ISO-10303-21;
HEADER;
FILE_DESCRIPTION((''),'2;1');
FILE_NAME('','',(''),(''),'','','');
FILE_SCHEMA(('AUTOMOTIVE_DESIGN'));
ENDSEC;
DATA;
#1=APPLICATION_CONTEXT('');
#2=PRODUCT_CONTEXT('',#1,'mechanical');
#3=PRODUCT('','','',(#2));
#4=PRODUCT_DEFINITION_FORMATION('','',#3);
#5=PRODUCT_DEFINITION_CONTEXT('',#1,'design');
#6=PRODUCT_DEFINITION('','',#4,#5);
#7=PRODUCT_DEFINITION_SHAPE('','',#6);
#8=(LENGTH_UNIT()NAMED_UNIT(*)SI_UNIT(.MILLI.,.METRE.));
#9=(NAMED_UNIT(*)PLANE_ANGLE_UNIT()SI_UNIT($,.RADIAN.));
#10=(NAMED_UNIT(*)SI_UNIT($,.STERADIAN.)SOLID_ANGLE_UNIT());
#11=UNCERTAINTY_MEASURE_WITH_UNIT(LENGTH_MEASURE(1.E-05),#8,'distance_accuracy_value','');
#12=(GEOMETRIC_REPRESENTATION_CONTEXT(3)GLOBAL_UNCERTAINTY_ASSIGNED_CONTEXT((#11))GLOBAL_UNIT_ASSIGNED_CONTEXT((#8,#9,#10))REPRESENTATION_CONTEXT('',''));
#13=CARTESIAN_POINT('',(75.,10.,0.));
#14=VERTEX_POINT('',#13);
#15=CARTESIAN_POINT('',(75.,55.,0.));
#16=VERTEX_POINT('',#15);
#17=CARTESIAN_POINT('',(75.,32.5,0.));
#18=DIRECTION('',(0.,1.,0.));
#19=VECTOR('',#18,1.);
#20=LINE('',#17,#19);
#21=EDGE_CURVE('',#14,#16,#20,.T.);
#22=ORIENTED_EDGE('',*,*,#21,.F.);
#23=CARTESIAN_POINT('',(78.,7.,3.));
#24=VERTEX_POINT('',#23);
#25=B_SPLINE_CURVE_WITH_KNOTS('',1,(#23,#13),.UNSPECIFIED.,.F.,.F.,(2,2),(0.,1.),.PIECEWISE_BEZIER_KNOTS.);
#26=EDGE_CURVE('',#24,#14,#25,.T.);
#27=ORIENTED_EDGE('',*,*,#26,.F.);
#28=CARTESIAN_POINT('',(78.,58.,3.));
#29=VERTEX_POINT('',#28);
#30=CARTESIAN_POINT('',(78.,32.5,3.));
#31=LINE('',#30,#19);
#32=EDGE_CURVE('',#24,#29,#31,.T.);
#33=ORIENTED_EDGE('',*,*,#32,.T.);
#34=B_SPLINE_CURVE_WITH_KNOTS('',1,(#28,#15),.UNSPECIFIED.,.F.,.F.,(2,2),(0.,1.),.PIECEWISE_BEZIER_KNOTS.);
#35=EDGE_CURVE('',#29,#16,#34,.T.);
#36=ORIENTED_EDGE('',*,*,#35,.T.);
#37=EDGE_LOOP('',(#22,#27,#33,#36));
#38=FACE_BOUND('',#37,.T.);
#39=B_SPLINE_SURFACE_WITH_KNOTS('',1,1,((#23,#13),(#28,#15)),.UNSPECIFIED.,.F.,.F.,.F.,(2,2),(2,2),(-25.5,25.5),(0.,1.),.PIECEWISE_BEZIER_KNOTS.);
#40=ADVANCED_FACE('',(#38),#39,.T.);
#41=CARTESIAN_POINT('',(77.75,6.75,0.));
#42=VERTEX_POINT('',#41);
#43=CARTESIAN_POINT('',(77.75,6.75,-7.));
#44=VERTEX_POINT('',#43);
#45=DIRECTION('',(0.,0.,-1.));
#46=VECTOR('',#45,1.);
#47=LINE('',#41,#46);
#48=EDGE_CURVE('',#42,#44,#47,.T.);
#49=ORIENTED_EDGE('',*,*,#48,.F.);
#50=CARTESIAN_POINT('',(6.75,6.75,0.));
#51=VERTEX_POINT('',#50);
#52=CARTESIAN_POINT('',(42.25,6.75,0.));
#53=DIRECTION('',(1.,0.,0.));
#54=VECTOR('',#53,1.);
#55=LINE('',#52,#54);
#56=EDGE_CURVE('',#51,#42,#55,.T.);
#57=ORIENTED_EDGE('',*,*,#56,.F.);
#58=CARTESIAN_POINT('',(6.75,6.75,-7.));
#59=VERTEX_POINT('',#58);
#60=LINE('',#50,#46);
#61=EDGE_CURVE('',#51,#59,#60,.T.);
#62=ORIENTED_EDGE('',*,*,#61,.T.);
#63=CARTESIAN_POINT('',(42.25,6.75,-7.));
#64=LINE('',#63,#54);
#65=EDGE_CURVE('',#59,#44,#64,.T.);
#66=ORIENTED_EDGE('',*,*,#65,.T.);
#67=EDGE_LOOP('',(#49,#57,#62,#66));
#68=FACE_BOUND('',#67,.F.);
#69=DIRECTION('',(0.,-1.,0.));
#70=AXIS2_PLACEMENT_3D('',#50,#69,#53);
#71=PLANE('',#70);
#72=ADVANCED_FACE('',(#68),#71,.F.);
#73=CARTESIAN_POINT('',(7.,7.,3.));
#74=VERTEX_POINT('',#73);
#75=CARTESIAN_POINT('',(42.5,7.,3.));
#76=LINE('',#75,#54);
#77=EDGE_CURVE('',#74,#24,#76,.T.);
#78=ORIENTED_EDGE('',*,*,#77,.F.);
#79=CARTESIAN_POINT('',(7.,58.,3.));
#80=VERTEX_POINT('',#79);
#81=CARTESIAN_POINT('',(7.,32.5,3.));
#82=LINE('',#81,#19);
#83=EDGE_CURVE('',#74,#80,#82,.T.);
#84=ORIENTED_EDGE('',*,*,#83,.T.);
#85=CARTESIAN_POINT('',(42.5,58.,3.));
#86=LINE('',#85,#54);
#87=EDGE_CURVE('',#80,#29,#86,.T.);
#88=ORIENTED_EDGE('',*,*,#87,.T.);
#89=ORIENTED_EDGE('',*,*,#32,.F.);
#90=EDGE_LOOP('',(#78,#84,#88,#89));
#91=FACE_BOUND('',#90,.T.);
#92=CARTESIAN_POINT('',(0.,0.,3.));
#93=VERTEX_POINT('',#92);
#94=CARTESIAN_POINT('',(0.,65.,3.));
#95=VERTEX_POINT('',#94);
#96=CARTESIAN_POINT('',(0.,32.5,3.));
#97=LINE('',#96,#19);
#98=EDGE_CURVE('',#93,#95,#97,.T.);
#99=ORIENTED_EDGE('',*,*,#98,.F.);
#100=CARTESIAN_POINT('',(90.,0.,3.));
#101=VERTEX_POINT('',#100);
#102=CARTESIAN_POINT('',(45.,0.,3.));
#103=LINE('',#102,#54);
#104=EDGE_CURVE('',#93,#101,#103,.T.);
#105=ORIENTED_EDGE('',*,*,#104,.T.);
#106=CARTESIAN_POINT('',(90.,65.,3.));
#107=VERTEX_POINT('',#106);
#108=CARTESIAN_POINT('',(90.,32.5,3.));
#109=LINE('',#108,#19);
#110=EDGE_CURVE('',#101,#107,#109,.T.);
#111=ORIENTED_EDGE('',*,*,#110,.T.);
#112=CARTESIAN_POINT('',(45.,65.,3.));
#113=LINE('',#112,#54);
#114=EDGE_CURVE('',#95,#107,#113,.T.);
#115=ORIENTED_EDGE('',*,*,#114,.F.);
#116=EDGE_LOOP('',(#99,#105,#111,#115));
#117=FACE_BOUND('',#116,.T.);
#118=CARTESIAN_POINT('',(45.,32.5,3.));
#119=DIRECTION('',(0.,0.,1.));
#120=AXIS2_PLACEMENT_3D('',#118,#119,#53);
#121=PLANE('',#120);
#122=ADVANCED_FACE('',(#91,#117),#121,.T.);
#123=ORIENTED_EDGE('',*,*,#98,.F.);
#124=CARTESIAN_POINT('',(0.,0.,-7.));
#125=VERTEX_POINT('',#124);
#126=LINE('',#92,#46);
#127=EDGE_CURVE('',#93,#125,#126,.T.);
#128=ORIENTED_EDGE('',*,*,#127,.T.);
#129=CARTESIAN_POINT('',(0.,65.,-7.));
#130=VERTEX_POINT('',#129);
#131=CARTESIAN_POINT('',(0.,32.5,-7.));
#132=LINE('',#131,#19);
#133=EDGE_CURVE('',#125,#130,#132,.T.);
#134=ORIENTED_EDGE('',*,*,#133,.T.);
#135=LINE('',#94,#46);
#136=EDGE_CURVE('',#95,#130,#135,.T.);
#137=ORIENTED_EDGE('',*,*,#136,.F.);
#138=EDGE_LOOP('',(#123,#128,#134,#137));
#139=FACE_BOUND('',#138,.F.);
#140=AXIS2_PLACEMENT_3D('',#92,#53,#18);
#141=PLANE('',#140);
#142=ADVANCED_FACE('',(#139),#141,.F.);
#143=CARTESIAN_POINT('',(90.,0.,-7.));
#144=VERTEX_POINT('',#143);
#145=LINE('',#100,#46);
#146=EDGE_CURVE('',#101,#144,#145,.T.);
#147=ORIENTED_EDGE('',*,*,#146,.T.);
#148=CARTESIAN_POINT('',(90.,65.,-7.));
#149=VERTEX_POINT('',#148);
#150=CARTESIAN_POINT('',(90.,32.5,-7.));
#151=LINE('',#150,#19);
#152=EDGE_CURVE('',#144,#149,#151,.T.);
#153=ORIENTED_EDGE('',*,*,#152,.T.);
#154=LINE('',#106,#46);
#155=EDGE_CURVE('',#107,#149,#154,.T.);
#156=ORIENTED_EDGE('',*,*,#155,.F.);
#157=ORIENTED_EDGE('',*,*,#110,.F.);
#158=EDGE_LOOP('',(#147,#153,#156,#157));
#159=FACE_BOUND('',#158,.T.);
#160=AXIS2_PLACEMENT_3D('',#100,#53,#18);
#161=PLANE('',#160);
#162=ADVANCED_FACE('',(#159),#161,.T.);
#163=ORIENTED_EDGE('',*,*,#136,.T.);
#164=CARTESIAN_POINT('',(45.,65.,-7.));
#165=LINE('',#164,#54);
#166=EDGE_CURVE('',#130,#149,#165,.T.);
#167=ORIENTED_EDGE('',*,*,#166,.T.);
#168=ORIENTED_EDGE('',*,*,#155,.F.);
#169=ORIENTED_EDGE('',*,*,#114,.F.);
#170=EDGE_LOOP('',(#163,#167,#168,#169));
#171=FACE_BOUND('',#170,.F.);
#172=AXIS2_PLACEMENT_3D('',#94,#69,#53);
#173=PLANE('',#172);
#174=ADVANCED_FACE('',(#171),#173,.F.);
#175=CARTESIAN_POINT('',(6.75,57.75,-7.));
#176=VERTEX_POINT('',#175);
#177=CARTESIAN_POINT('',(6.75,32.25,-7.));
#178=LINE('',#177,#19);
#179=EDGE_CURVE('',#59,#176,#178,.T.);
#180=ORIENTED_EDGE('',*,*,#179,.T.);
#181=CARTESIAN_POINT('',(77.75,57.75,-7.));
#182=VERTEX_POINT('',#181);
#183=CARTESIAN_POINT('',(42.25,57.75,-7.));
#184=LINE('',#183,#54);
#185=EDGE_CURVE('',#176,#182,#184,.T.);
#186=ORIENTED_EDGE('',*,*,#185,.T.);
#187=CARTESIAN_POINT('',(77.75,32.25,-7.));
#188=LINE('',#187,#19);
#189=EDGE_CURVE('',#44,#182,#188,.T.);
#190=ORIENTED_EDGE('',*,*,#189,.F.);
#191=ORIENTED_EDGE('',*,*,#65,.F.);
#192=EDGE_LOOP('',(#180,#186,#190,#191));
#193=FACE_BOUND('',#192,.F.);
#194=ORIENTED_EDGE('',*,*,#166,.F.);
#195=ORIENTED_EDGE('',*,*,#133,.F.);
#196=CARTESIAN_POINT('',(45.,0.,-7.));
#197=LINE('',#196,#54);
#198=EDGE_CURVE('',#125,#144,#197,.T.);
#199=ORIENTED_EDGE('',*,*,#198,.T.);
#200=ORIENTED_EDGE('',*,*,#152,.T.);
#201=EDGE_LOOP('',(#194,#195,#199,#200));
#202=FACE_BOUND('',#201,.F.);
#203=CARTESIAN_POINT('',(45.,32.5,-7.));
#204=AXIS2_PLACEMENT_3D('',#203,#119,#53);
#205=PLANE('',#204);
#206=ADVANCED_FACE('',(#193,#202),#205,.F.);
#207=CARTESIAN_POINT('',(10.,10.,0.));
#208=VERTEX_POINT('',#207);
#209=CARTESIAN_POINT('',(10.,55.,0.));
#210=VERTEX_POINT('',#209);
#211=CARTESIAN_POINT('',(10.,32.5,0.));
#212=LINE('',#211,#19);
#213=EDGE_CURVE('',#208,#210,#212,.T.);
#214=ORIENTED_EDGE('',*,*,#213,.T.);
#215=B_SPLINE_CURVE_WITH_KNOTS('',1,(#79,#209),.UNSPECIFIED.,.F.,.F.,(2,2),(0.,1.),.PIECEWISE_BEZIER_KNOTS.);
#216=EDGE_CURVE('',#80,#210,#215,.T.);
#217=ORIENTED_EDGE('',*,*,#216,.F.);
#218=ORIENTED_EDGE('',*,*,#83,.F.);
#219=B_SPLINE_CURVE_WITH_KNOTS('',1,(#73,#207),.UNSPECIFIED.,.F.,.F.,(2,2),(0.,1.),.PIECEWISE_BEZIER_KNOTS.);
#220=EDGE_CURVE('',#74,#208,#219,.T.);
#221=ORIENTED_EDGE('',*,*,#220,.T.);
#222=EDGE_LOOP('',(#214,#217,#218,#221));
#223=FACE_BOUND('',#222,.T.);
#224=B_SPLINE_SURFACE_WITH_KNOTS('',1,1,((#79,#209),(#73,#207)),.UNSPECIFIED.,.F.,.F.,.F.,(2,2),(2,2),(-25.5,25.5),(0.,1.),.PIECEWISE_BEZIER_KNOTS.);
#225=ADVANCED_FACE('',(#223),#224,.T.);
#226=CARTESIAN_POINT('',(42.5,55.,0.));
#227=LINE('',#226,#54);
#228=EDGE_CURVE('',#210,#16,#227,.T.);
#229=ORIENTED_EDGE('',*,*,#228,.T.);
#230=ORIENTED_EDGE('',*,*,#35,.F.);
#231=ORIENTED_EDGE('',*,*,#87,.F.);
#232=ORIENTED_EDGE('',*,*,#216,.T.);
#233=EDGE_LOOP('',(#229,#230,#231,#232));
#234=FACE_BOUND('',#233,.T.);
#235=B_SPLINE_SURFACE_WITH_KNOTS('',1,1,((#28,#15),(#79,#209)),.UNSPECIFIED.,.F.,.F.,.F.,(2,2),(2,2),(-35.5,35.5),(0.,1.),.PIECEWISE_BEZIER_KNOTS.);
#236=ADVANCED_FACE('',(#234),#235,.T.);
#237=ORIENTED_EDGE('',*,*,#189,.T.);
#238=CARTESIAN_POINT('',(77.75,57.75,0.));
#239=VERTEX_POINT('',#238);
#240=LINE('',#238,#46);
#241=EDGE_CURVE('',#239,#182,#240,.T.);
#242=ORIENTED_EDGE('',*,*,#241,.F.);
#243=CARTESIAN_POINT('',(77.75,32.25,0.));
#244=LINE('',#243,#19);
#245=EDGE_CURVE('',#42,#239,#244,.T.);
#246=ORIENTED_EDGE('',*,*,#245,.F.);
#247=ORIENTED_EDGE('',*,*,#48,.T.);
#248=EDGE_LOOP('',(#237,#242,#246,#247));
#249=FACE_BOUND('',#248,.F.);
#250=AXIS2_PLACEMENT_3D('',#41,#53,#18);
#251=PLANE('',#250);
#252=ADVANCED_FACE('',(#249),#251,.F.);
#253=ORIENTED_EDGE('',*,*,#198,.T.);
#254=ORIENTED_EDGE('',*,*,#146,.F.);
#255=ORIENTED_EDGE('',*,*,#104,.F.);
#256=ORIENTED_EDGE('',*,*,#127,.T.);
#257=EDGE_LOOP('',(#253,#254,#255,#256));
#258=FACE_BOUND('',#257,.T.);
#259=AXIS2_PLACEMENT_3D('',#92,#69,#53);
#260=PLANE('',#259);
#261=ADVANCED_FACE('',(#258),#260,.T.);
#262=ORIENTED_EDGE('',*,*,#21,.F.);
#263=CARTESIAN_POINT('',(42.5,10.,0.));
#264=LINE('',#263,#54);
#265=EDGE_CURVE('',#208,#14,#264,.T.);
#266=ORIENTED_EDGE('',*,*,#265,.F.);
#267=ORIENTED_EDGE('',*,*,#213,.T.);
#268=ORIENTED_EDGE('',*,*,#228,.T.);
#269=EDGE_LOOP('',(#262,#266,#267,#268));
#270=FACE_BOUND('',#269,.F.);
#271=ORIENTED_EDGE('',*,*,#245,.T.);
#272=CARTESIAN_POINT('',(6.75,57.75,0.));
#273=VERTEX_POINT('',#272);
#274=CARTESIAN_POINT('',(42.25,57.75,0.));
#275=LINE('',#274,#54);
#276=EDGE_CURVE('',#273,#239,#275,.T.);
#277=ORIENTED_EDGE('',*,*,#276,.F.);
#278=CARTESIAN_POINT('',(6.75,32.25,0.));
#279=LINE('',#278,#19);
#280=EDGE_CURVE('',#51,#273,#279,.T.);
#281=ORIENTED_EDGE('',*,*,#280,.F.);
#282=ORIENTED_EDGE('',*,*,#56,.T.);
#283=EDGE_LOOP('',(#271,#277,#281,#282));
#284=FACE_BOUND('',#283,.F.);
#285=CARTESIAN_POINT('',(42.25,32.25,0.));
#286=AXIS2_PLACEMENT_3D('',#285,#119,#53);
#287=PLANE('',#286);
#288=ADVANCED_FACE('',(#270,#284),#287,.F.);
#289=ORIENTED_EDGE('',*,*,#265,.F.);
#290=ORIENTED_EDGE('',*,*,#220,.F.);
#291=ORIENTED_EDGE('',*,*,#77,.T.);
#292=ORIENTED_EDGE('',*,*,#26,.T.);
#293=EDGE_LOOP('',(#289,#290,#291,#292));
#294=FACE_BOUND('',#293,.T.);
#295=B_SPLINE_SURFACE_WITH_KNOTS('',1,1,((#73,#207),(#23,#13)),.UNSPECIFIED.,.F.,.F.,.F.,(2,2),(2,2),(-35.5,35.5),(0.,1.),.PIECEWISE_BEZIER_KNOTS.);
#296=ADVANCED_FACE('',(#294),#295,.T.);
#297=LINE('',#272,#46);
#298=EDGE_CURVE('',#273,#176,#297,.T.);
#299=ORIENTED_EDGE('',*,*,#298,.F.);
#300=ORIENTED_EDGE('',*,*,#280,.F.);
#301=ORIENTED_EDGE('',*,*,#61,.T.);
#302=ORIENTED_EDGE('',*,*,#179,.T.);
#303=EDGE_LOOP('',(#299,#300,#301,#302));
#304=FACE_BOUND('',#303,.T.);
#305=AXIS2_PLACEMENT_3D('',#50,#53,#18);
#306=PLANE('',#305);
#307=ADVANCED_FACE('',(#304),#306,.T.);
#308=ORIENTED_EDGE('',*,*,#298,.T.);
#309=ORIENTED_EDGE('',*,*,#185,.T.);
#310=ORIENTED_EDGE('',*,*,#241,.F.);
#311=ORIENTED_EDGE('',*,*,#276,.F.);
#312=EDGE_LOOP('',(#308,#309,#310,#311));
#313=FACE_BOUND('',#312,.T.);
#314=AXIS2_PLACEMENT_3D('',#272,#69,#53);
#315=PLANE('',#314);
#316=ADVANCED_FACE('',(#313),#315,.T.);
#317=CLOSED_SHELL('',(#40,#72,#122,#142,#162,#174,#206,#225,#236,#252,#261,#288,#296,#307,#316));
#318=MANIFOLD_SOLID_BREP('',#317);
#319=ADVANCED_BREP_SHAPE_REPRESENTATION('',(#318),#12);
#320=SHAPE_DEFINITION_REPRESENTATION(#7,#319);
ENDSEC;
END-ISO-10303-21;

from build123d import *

# Parameters (mm, degrees)
SKETCH_W     = 90
SKETCH_H     = 65
PAD_DEPTH    = 10
SKETCH004_W  = 71
SKETCH004_H  = 51
POCKET_DEPTH = 7
SKETCH003_W  = 71
SKETCH003_H  = 51
SKETCH001_W  = 65
SKETCH001_H  = 45


with BuildPart() as part:
    # Sketch → Pad (new body)
    with BuildSketch(Plane.XY.offset(3)):
        with Locations((45, 32.5)):
            Rectangle(SKETCH_W, SKETCH_H)
    extrude(amount=-PAD_DEPTH)

    # Sketch004 → Pocket (cut)
    with BuildSketch(Plane.XY):
        with Locations((42.25, 32.25)):
            Rectangle(SKETCH004_W, SKETCH004_H)
    extrude(amount=-POCKET_DEPTH, mode=Mode.SUBTRACT)

    # Sketch003 → SubtractiveLoft section 0
    with BuildSketch(Plane.XY.offset(3)):
        with Locations((42.5, 32.5)):
            Rectangle(SKETCH003_W, SKETCH003_H)
    # Sketch001 → SubtractiveLoft section 1
    with BuildSketch(Plane.XY):
        with Locations((42.5, 32.5)):
            Rectangle(SKETCH001_W, SKETCH001_H)
    loft(mode=Mode.SUBTRACT)


solid = part.part
